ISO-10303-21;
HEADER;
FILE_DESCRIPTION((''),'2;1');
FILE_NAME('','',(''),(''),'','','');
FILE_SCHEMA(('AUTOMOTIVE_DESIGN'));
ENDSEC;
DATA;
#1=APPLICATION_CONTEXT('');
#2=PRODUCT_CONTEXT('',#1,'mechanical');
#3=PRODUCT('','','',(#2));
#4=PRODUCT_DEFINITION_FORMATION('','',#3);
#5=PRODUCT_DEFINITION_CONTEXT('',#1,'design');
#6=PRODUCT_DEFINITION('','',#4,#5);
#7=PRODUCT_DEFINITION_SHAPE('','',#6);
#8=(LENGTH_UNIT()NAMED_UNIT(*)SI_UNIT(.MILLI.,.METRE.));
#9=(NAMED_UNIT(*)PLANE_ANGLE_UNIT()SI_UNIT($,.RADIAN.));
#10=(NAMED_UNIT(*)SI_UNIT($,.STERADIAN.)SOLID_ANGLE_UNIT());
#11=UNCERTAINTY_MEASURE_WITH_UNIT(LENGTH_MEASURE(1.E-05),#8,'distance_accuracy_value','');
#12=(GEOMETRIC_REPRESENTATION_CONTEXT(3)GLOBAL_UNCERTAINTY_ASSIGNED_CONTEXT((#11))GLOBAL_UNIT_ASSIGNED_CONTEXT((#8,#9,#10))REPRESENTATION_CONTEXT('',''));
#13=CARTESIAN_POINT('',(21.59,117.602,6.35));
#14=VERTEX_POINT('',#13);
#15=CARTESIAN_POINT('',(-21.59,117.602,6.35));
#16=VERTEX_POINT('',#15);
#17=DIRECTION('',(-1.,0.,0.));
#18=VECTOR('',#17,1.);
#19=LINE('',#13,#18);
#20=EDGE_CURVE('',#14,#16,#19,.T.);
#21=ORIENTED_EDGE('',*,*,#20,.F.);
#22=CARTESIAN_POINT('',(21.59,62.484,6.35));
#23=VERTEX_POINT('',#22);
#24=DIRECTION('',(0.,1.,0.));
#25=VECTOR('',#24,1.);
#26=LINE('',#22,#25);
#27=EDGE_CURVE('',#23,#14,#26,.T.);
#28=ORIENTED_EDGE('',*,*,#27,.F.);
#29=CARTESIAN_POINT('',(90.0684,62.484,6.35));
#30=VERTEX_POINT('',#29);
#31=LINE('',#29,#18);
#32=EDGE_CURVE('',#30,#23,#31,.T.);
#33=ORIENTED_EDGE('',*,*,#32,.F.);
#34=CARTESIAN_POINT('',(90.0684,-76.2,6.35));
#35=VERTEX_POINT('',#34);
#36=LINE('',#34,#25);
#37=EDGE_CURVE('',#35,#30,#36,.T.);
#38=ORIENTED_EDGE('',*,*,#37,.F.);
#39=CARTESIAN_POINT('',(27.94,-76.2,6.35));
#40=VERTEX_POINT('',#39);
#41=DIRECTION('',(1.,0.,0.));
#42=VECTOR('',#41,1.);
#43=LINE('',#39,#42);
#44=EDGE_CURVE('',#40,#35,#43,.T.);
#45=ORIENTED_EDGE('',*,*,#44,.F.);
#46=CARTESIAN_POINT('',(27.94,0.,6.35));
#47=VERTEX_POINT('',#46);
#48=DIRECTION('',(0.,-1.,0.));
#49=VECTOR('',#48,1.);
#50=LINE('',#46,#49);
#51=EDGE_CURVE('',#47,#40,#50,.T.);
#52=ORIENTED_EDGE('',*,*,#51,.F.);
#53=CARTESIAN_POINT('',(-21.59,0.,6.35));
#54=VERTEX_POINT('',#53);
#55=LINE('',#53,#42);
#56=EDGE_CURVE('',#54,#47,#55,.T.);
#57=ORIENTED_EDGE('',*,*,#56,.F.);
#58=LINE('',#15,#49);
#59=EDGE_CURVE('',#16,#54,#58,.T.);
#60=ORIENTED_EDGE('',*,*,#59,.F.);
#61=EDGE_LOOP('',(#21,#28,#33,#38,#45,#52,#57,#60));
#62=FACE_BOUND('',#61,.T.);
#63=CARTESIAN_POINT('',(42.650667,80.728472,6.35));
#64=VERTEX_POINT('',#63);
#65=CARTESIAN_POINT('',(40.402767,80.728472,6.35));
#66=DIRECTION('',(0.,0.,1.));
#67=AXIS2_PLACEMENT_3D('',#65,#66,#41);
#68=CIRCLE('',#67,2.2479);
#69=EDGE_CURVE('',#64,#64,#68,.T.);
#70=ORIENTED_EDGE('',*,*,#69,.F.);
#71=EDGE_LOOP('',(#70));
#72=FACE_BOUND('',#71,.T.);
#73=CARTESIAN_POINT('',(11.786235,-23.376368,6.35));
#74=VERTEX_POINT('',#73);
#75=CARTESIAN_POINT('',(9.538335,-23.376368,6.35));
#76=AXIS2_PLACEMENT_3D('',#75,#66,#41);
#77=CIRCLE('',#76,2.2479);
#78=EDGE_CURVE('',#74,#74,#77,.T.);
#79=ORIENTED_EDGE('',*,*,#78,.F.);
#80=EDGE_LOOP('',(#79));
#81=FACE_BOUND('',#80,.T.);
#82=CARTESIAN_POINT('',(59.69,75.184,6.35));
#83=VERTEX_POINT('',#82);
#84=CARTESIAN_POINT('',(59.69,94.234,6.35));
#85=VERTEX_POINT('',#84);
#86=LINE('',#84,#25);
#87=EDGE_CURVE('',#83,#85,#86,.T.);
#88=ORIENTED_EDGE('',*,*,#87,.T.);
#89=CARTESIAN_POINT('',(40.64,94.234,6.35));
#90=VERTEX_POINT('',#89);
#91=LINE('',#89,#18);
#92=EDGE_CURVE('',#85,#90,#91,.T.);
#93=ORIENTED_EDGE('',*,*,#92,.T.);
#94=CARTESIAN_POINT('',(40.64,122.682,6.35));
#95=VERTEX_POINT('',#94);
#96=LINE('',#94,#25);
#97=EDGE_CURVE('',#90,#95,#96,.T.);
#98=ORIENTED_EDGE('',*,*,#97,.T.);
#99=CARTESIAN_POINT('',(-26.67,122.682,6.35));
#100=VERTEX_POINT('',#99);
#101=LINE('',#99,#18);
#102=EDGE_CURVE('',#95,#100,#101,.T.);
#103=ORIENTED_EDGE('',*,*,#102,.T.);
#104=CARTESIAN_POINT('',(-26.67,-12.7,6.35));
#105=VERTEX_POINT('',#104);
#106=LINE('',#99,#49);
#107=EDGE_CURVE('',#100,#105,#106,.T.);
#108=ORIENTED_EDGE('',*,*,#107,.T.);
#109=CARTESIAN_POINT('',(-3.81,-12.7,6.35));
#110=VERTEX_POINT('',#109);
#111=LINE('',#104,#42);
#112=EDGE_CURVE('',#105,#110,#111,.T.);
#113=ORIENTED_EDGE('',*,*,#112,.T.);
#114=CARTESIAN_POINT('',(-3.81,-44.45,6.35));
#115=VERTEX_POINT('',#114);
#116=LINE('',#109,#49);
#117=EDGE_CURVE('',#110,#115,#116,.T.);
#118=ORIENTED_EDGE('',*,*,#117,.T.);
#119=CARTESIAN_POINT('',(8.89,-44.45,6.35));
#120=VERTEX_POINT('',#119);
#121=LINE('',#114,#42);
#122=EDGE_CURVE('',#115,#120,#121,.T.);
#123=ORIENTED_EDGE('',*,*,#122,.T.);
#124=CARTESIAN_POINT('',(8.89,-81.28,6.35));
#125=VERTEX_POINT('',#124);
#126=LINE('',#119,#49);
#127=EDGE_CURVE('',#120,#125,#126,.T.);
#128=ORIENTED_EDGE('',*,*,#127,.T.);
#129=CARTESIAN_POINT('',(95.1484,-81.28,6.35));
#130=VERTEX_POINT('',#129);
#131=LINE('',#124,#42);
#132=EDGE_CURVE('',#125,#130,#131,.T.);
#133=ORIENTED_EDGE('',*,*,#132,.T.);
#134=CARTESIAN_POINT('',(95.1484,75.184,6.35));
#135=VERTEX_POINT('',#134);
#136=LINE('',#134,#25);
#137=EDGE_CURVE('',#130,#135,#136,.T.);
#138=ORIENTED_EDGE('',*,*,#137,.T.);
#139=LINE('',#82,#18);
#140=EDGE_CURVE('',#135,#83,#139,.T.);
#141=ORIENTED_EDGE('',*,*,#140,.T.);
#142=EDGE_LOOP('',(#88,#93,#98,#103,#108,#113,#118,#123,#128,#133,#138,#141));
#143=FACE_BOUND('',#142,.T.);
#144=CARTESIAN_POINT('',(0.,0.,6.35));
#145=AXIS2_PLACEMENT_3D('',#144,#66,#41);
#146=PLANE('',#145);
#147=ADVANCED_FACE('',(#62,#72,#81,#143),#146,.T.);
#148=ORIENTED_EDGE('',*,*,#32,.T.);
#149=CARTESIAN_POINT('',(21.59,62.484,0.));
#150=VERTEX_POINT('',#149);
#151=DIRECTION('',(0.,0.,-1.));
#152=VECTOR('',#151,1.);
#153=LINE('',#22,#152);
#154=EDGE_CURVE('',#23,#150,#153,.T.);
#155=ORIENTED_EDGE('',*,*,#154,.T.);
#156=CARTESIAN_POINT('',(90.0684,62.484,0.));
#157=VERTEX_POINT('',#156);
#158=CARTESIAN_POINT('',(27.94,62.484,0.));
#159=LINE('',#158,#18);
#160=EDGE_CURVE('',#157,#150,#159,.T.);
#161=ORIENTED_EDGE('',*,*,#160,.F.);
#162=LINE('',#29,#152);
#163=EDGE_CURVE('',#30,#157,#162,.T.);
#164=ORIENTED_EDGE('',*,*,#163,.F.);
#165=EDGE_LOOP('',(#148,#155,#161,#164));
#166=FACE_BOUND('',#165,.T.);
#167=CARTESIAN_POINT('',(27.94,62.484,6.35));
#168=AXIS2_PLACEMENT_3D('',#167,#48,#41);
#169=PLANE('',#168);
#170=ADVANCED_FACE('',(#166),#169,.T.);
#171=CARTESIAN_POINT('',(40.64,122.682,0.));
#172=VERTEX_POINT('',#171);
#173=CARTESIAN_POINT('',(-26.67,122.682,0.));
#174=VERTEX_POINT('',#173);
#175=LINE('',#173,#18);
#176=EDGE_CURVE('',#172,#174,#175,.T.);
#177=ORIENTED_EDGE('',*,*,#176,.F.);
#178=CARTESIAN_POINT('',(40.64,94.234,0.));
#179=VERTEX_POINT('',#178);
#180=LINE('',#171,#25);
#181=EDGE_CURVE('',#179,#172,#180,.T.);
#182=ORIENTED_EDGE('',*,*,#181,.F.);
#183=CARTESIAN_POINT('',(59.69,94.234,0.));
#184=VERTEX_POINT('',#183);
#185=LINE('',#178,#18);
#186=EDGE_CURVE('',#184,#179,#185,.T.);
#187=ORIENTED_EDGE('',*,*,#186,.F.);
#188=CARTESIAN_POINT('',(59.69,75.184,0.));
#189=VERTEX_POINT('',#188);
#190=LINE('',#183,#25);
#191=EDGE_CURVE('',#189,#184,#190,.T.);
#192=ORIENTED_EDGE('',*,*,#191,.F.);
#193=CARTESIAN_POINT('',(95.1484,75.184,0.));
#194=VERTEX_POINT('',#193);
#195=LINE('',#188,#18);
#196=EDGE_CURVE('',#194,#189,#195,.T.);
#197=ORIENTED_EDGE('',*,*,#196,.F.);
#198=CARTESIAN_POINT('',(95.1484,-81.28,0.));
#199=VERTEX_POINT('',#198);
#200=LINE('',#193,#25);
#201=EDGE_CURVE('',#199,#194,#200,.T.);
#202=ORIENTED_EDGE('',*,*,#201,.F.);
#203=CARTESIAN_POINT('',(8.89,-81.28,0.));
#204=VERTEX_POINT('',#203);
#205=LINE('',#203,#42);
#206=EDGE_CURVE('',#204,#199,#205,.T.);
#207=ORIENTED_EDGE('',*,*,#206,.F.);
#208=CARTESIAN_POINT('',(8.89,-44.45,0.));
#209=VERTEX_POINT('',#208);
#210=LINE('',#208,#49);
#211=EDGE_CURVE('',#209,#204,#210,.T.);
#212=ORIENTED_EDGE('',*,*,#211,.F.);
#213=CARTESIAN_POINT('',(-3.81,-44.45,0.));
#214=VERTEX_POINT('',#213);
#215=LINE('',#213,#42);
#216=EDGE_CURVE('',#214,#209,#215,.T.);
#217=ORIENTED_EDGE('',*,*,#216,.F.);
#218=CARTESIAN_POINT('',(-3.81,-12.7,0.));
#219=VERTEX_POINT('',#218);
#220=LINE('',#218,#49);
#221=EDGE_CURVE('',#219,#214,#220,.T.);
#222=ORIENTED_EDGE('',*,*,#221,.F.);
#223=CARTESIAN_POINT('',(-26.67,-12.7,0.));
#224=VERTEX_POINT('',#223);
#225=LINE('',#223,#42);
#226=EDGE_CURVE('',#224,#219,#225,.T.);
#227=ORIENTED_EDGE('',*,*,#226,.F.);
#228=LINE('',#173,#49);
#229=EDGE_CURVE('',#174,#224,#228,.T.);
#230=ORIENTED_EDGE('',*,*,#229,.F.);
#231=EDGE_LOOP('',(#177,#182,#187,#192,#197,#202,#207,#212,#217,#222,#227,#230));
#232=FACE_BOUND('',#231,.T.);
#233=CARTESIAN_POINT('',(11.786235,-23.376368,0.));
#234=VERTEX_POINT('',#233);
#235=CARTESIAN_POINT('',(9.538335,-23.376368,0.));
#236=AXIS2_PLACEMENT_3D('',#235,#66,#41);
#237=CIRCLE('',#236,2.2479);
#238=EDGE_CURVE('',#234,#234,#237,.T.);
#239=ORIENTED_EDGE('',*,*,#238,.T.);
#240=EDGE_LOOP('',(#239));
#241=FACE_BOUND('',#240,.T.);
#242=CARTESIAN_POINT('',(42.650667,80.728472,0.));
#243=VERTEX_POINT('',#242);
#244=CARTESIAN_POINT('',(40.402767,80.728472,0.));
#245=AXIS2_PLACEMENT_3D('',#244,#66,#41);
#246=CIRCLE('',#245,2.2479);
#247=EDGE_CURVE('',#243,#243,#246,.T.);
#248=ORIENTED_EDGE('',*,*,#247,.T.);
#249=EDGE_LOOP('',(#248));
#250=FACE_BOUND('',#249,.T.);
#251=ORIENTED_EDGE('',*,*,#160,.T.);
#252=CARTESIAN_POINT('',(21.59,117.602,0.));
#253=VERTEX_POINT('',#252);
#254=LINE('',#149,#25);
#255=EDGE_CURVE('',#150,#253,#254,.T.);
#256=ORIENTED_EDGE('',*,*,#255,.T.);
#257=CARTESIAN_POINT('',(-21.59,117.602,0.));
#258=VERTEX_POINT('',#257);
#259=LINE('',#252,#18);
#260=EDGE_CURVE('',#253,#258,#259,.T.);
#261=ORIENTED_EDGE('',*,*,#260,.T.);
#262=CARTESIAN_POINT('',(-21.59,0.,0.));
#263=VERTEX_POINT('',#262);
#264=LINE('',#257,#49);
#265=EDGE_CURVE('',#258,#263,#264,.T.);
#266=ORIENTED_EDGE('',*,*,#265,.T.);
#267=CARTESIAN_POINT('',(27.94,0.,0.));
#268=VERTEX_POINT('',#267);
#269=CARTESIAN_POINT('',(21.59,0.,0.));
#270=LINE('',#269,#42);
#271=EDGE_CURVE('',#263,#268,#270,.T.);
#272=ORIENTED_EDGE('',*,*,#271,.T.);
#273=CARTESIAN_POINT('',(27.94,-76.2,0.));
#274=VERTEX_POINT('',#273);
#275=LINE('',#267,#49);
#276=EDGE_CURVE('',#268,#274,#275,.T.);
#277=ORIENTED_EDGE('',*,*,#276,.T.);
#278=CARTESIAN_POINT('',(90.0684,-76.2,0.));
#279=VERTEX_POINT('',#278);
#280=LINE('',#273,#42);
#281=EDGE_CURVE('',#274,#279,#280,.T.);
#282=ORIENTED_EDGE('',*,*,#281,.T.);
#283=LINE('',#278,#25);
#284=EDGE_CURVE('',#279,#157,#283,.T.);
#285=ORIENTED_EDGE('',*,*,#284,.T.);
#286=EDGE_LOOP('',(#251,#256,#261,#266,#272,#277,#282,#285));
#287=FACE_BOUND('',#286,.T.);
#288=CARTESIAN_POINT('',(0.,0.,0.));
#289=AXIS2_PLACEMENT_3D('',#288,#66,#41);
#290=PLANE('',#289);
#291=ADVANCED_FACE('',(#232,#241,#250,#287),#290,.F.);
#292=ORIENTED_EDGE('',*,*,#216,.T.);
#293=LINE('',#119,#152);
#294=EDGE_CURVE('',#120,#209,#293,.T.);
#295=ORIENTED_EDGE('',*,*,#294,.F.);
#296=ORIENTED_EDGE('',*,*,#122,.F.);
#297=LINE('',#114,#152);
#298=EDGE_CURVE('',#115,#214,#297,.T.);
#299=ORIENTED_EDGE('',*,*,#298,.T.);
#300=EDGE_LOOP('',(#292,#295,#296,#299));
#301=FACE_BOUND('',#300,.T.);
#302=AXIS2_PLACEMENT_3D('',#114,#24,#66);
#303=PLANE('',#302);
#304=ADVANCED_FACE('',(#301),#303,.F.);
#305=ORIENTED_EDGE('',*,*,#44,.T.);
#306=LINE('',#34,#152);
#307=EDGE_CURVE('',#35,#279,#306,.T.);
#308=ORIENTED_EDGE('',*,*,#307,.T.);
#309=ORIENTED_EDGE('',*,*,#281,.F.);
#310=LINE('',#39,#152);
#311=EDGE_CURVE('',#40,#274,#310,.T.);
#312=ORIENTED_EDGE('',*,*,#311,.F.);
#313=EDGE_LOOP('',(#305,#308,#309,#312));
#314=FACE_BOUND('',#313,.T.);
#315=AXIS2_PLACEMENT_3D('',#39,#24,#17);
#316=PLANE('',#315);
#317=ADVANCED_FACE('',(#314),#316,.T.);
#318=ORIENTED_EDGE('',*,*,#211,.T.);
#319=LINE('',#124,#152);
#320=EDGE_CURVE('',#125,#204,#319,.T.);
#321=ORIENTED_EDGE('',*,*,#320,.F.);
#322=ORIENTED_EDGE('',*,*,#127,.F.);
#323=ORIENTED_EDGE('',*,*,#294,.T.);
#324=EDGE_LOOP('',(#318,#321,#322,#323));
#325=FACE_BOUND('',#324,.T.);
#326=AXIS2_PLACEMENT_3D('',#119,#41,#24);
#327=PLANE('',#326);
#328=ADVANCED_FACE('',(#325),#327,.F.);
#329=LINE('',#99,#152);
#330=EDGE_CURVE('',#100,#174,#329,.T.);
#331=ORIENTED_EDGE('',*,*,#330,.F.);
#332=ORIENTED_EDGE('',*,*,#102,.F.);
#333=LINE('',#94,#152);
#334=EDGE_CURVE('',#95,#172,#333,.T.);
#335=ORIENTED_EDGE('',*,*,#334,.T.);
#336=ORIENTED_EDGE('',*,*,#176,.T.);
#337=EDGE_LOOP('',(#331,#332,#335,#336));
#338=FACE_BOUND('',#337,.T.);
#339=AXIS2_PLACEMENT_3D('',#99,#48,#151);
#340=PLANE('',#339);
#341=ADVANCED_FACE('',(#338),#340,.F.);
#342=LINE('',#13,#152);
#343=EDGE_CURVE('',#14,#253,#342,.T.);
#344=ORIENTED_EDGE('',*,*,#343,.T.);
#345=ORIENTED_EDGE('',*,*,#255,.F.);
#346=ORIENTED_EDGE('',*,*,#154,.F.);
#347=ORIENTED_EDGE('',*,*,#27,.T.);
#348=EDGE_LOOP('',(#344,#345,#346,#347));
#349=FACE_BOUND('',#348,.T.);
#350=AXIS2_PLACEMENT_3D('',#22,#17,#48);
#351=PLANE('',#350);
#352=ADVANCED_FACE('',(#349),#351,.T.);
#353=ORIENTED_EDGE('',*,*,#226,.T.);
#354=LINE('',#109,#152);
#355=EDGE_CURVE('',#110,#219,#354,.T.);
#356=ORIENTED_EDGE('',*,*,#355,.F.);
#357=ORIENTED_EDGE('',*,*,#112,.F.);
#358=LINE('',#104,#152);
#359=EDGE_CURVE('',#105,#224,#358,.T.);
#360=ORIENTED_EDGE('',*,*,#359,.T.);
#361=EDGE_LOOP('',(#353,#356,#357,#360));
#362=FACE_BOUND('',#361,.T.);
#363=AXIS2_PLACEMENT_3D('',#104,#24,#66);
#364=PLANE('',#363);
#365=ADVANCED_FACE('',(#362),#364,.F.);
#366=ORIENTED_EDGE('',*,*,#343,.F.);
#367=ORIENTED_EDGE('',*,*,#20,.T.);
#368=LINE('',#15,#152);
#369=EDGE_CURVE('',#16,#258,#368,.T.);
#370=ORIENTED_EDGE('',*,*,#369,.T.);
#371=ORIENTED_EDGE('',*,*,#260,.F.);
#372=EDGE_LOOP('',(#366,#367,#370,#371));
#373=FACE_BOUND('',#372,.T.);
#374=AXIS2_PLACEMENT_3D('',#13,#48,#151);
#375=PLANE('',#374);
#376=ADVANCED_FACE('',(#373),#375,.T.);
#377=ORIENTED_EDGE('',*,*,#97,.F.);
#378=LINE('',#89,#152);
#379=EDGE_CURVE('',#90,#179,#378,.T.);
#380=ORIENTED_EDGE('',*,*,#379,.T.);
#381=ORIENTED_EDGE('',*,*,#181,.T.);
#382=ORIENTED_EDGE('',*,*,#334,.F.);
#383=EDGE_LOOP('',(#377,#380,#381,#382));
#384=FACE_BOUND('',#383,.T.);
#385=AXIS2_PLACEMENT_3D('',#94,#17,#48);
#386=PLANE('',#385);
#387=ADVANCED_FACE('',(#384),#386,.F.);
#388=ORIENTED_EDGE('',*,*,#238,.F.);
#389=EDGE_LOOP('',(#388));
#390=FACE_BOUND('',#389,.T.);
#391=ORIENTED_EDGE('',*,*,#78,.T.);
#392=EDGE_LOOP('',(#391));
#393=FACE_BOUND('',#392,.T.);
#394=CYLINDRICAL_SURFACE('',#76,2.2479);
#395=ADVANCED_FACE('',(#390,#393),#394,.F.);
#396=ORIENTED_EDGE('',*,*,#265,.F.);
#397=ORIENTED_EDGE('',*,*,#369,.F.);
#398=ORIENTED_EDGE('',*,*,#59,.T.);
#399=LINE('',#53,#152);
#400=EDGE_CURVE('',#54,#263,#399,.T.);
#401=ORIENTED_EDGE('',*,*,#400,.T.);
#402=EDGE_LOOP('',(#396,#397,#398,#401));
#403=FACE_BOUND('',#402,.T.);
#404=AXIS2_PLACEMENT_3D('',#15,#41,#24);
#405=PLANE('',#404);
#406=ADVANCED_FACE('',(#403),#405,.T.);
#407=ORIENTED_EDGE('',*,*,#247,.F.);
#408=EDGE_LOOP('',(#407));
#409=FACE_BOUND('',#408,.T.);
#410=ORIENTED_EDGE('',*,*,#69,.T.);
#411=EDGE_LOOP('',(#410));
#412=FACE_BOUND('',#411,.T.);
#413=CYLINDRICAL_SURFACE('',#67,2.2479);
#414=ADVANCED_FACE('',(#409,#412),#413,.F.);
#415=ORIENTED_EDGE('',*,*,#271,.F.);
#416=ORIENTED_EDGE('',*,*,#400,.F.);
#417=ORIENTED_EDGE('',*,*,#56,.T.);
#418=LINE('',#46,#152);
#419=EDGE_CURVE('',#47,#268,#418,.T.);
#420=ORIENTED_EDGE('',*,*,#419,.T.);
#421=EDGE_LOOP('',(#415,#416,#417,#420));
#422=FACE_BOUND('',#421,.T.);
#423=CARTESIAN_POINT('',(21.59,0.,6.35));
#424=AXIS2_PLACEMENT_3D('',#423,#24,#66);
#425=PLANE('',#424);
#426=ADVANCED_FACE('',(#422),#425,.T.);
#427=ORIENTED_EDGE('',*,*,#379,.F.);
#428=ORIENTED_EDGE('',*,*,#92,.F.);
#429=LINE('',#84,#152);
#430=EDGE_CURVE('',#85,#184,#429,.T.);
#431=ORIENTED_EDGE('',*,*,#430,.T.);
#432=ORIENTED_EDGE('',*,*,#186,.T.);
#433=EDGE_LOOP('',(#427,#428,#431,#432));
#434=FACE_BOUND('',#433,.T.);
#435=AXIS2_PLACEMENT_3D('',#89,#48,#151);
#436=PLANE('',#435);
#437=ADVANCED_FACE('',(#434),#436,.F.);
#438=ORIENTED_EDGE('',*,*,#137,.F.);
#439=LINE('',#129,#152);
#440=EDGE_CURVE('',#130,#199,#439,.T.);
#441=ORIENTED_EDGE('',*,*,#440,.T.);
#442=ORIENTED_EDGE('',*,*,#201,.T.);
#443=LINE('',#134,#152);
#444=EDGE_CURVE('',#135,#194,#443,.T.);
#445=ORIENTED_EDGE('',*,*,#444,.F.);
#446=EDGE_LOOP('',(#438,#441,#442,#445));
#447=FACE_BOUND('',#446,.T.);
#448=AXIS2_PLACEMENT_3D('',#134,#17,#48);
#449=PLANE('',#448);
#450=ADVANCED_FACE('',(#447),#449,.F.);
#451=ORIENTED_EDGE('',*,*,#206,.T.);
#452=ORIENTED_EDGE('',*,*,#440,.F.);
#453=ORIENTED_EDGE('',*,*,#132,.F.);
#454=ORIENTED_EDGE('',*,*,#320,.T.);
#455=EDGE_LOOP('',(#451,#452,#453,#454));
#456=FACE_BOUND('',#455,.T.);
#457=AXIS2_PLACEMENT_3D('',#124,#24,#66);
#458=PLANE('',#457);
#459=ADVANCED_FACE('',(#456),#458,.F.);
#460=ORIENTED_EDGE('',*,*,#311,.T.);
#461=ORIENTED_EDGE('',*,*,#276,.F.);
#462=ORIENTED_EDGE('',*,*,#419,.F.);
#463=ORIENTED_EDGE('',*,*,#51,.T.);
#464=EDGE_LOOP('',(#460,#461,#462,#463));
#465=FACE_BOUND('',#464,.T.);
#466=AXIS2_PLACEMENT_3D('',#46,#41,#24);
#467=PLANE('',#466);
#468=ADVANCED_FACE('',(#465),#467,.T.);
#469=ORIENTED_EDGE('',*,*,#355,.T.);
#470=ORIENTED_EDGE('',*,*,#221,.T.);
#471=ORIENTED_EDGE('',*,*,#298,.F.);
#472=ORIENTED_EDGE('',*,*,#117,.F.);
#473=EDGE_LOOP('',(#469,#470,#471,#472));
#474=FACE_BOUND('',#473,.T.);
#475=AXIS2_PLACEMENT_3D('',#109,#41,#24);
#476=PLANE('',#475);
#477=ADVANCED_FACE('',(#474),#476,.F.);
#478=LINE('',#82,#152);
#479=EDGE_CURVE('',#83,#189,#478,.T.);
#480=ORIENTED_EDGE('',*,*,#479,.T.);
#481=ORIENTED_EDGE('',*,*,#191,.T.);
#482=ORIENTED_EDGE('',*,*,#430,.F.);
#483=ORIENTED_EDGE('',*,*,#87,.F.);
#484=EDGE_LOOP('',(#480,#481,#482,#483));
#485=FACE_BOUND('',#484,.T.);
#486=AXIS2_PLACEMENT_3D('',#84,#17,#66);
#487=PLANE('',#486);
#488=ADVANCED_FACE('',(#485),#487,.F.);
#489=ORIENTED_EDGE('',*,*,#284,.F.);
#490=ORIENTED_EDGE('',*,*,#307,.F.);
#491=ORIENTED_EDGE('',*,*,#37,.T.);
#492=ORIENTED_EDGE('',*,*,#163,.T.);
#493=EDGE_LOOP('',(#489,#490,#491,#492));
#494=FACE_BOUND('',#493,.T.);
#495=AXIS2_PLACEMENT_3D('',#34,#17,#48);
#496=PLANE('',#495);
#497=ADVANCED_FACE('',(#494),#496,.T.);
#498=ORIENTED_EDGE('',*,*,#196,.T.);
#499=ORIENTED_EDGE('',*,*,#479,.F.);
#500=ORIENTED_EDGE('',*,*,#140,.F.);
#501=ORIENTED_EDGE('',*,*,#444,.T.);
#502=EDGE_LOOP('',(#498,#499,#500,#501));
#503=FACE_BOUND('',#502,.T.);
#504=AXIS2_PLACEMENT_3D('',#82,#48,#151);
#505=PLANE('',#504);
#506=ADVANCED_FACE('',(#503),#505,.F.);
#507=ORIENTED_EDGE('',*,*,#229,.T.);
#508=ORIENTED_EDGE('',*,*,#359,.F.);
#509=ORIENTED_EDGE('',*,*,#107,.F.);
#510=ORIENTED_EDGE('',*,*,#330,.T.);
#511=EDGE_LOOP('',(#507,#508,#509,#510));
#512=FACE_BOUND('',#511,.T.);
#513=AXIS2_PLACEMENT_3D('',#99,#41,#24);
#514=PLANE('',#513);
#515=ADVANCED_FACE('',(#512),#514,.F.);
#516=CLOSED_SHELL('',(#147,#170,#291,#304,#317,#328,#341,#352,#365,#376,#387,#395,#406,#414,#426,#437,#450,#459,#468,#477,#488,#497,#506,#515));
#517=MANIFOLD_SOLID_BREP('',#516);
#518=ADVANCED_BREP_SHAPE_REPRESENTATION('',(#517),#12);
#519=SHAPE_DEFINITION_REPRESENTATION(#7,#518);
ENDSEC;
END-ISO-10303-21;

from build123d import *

# Parameters (mm, degrees)
BOSS_EXTRUDE1_DEPTH   = 6.35
F_8_CLEARANCE_HOLE1_D = 4.4958


with BuildPart() as part:
    # Sketch1 → Boss-Extrude1 (new body)
    with BuildSketch(Plane.XY):
        Polygon((40.64, 122.682), (40.64, 94.234), (59.69, 94.234), (59.69, 75.184), (95.1484, 75.184), (95.1484, -81.28), (8.89, -81.28), (8.89, -44.45), (-3.81, -44.45), (-3.81, -12.7), (-26.67, -12.7), (-26.67, 122.682), align=None)
        Polygon((90.0684, 62.484), (27.94, 62.484), (21.59, 62.484), (21.59, 117.602), (-21.59, 117.602), (-21.59, 0), (21.59, 0), (27.94, 0), (27.94, -76.2), (90.0684, -76.2), align=None, mode=Mode.SUBTRACT)
    extrude(amount=BOSS_EXTRUDE1_DEPTH)

    # #8 Clearance Hole1 (through all)
    with Locations(Plane.XY.offset(6.35)):
        with Locations((9.538335251, -23.376368086), (40.402766773, 80.728472273)):
            Hole(F_8_CLEARANCE_HOLE1_D / 2)


solid = part.part
